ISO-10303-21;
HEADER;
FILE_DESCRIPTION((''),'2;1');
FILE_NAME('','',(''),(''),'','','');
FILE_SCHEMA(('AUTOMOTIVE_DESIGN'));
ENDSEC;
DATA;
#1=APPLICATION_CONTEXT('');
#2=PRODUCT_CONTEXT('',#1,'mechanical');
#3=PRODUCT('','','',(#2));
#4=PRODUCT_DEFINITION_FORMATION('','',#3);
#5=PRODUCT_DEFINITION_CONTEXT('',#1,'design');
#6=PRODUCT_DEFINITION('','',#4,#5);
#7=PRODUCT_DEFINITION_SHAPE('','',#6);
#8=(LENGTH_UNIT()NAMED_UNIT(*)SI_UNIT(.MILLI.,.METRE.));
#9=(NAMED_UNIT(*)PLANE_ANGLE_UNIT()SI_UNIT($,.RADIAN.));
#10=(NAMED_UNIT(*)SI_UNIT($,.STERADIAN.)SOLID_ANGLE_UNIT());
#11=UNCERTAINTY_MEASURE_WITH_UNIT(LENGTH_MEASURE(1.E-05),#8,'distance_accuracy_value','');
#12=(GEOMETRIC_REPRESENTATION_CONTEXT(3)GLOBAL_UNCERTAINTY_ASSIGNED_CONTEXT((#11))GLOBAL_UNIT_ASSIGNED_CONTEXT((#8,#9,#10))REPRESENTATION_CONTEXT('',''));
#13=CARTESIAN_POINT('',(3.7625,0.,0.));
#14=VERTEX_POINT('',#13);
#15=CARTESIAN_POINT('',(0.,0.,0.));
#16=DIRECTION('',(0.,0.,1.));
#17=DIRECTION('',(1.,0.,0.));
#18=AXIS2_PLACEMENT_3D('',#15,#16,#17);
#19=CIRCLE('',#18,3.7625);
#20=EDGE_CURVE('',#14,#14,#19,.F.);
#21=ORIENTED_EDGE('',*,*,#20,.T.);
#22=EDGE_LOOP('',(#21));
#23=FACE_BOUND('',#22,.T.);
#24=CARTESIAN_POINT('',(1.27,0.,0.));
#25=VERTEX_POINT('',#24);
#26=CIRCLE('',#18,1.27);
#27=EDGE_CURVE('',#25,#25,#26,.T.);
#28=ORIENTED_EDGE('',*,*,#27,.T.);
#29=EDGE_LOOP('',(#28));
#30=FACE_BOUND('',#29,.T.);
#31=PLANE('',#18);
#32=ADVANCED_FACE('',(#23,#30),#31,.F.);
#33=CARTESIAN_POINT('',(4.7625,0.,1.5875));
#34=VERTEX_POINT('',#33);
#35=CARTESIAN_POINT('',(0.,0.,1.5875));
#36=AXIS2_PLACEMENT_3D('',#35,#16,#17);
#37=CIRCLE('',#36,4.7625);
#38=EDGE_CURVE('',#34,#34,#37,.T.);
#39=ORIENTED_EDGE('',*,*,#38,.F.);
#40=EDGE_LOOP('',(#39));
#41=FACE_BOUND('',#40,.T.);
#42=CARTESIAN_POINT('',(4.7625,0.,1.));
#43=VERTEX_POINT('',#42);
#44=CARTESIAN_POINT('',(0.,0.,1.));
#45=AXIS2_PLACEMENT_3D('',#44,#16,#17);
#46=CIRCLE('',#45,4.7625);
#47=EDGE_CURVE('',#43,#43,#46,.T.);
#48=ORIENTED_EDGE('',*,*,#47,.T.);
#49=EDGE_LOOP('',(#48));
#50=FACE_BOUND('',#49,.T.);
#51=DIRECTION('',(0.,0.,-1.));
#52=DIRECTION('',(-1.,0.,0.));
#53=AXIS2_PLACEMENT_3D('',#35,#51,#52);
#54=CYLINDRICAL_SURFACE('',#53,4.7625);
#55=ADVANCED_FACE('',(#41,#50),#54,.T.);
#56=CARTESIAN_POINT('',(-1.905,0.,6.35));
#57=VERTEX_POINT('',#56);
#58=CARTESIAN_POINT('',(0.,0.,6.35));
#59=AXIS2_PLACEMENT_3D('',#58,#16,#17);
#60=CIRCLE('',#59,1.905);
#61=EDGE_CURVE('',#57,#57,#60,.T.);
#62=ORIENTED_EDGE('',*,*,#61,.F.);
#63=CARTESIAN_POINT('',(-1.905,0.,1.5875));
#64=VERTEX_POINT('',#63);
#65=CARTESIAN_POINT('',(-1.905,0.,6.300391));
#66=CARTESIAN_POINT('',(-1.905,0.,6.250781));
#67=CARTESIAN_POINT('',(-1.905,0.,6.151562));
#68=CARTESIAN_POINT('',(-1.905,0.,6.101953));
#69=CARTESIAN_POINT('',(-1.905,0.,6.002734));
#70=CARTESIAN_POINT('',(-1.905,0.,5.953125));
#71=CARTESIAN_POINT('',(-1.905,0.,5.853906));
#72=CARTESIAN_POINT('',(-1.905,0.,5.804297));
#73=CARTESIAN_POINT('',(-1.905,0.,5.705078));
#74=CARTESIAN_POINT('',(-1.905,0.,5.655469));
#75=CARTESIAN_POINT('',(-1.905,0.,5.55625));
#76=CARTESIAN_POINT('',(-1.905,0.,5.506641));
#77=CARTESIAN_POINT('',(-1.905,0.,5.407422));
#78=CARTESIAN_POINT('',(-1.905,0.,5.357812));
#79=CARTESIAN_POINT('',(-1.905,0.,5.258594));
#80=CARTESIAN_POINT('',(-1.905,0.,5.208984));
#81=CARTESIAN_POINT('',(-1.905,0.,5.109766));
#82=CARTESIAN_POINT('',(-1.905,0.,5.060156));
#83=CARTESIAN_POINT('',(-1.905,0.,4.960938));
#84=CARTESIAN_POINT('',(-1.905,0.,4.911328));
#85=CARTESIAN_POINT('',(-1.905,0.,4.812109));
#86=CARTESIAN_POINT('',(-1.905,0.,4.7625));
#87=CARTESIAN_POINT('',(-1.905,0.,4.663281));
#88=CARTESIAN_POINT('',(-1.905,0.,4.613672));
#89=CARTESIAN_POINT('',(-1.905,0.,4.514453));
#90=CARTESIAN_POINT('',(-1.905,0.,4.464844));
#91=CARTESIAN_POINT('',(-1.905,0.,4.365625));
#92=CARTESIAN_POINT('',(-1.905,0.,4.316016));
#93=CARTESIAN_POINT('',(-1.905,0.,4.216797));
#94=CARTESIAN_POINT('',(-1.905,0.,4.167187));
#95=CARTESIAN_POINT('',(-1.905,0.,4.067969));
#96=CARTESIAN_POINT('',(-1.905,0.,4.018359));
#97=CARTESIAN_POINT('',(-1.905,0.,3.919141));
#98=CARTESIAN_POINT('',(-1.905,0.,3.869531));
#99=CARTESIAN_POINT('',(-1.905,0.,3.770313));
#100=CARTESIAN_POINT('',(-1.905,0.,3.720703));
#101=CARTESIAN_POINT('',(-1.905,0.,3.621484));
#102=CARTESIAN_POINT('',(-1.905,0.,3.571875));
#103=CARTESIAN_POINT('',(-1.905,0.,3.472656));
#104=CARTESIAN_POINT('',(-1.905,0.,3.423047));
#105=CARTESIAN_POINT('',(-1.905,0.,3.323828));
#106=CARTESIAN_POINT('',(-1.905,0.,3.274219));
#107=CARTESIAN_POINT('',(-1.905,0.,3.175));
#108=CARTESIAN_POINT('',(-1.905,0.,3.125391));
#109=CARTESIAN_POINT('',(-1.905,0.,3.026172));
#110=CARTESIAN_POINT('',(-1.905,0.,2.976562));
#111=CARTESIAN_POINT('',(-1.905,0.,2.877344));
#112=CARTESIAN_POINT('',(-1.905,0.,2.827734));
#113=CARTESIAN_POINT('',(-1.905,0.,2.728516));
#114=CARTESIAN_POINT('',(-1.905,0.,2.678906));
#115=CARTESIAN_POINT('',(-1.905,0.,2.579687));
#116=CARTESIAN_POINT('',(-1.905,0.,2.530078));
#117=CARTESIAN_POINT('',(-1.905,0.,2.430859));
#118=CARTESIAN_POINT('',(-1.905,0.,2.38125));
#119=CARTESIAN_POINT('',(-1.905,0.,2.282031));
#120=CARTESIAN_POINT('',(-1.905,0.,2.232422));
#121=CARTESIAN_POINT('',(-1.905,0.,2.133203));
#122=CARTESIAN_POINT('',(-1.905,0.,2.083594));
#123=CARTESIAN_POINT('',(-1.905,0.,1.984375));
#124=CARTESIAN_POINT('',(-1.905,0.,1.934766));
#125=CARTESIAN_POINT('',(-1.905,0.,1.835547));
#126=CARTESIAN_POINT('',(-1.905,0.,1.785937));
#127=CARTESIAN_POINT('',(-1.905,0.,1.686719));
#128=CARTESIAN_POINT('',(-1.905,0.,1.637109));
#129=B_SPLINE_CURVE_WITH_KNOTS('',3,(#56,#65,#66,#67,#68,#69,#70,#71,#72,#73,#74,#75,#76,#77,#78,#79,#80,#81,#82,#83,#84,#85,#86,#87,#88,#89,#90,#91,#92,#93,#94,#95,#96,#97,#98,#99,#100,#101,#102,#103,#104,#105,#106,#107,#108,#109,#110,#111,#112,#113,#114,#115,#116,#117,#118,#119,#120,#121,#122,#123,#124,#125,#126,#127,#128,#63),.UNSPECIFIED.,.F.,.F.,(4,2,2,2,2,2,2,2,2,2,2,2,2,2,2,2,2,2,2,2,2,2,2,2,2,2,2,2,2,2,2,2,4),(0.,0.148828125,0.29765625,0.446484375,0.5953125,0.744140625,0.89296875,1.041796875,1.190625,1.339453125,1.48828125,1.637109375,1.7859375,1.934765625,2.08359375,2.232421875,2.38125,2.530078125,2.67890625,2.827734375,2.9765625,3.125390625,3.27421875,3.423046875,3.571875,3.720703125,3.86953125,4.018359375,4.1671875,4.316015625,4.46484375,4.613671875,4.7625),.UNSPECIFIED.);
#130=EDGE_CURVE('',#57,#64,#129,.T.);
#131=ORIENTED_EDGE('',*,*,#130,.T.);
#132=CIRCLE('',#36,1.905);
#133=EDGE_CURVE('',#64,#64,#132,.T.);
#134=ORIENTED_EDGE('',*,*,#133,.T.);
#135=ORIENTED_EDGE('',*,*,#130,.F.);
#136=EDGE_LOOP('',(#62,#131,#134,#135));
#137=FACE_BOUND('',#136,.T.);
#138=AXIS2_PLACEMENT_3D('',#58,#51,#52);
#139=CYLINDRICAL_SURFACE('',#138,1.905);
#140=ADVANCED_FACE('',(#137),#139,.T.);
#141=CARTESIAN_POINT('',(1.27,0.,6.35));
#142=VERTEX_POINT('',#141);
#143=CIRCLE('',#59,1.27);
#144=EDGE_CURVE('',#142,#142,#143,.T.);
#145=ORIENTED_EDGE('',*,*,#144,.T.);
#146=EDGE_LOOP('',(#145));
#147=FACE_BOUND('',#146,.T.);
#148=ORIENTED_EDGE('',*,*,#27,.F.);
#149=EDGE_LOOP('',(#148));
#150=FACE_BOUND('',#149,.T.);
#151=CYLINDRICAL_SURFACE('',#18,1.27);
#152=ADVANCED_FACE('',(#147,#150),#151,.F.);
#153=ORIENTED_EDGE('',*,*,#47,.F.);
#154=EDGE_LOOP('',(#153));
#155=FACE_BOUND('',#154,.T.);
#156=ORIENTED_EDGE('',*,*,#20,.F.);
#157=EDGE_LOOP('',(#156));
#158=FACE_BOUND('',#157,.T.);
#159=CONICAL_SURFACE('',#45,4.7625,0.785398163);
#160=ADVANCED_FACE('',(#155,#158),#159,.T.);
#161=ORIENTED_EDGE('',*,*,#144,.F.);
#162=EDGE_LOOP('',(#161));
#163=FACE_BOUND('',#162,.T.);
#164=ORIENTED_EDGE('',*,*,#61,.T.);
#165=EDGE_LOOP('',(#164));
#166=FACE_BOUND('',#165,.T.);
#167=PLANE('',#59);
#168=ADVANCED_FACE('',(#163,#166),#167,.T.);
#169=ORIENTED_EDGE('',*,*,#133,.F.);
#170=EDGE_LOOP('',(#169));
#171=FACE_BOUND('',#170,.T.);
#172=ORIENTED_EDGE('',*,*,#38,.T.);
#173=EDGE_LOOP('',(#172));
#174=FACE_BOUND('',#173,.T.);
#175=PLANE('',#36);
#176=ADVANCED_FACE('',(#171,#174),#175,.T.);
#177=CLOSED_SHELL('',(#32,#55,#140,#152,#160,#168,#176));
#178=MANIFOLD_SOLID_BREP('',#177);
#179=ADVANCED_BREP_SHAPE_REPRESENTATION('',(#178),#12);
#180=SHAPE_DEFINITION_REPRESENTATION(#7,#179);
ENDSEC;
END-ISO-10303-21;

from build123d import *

# Parameters (mm, degrees)
SKETCH1_R           = 4.7625
BOSS_EXTRUDE1_DEPTH = 1.5875
SKETCH3_R           = 1.905
BOSS_EXTRUDE2_DEPTH = 4.7625
SKETCH4_R           = 1.27
CUT_EXTRUDE1_DEPTH  = 10.256636133
CHAMFER2_SIZE       = 1


with BuildPart() as part:
    # Sketch1 → Boss-Extrude1 (new body)
    with BuildSketch(Plane.XY):
        Circle(SKETCH1_R)
    extrude(amount=BOSS_EXTRUDE1_DEPTH)

    # Sketch3 → Boss-Extrude2 (add)
    with BuildSketch(Plane.XY.offset(1.5875)):
        with Locations(Location((0, 0, 0), (0, 0, 180))):
            Circle(SKETCH3_R)
    extrude(amount=BOSS_EXTRUDE2_DEPTH)

    # Sketch4 → Cut-Extrude1 (cut, through all)
    with BuildSketch(Plane.XY.offset(6.35)):
        Circle(SKETCH4_R)
    extrude(amount=-CUT_EXTRUDE1_DEPTH, mode=Mode.SUBTRACT)

    # Chamfer2
    chamfer2_edges = [part.edges().sort_by_distance(p)[0] for p in [
        (-4.7625, 0, 0),
    ]]
    chamfer(chamfer2_edges, length=CHAMFER2_SIZE)


solid = part.part
